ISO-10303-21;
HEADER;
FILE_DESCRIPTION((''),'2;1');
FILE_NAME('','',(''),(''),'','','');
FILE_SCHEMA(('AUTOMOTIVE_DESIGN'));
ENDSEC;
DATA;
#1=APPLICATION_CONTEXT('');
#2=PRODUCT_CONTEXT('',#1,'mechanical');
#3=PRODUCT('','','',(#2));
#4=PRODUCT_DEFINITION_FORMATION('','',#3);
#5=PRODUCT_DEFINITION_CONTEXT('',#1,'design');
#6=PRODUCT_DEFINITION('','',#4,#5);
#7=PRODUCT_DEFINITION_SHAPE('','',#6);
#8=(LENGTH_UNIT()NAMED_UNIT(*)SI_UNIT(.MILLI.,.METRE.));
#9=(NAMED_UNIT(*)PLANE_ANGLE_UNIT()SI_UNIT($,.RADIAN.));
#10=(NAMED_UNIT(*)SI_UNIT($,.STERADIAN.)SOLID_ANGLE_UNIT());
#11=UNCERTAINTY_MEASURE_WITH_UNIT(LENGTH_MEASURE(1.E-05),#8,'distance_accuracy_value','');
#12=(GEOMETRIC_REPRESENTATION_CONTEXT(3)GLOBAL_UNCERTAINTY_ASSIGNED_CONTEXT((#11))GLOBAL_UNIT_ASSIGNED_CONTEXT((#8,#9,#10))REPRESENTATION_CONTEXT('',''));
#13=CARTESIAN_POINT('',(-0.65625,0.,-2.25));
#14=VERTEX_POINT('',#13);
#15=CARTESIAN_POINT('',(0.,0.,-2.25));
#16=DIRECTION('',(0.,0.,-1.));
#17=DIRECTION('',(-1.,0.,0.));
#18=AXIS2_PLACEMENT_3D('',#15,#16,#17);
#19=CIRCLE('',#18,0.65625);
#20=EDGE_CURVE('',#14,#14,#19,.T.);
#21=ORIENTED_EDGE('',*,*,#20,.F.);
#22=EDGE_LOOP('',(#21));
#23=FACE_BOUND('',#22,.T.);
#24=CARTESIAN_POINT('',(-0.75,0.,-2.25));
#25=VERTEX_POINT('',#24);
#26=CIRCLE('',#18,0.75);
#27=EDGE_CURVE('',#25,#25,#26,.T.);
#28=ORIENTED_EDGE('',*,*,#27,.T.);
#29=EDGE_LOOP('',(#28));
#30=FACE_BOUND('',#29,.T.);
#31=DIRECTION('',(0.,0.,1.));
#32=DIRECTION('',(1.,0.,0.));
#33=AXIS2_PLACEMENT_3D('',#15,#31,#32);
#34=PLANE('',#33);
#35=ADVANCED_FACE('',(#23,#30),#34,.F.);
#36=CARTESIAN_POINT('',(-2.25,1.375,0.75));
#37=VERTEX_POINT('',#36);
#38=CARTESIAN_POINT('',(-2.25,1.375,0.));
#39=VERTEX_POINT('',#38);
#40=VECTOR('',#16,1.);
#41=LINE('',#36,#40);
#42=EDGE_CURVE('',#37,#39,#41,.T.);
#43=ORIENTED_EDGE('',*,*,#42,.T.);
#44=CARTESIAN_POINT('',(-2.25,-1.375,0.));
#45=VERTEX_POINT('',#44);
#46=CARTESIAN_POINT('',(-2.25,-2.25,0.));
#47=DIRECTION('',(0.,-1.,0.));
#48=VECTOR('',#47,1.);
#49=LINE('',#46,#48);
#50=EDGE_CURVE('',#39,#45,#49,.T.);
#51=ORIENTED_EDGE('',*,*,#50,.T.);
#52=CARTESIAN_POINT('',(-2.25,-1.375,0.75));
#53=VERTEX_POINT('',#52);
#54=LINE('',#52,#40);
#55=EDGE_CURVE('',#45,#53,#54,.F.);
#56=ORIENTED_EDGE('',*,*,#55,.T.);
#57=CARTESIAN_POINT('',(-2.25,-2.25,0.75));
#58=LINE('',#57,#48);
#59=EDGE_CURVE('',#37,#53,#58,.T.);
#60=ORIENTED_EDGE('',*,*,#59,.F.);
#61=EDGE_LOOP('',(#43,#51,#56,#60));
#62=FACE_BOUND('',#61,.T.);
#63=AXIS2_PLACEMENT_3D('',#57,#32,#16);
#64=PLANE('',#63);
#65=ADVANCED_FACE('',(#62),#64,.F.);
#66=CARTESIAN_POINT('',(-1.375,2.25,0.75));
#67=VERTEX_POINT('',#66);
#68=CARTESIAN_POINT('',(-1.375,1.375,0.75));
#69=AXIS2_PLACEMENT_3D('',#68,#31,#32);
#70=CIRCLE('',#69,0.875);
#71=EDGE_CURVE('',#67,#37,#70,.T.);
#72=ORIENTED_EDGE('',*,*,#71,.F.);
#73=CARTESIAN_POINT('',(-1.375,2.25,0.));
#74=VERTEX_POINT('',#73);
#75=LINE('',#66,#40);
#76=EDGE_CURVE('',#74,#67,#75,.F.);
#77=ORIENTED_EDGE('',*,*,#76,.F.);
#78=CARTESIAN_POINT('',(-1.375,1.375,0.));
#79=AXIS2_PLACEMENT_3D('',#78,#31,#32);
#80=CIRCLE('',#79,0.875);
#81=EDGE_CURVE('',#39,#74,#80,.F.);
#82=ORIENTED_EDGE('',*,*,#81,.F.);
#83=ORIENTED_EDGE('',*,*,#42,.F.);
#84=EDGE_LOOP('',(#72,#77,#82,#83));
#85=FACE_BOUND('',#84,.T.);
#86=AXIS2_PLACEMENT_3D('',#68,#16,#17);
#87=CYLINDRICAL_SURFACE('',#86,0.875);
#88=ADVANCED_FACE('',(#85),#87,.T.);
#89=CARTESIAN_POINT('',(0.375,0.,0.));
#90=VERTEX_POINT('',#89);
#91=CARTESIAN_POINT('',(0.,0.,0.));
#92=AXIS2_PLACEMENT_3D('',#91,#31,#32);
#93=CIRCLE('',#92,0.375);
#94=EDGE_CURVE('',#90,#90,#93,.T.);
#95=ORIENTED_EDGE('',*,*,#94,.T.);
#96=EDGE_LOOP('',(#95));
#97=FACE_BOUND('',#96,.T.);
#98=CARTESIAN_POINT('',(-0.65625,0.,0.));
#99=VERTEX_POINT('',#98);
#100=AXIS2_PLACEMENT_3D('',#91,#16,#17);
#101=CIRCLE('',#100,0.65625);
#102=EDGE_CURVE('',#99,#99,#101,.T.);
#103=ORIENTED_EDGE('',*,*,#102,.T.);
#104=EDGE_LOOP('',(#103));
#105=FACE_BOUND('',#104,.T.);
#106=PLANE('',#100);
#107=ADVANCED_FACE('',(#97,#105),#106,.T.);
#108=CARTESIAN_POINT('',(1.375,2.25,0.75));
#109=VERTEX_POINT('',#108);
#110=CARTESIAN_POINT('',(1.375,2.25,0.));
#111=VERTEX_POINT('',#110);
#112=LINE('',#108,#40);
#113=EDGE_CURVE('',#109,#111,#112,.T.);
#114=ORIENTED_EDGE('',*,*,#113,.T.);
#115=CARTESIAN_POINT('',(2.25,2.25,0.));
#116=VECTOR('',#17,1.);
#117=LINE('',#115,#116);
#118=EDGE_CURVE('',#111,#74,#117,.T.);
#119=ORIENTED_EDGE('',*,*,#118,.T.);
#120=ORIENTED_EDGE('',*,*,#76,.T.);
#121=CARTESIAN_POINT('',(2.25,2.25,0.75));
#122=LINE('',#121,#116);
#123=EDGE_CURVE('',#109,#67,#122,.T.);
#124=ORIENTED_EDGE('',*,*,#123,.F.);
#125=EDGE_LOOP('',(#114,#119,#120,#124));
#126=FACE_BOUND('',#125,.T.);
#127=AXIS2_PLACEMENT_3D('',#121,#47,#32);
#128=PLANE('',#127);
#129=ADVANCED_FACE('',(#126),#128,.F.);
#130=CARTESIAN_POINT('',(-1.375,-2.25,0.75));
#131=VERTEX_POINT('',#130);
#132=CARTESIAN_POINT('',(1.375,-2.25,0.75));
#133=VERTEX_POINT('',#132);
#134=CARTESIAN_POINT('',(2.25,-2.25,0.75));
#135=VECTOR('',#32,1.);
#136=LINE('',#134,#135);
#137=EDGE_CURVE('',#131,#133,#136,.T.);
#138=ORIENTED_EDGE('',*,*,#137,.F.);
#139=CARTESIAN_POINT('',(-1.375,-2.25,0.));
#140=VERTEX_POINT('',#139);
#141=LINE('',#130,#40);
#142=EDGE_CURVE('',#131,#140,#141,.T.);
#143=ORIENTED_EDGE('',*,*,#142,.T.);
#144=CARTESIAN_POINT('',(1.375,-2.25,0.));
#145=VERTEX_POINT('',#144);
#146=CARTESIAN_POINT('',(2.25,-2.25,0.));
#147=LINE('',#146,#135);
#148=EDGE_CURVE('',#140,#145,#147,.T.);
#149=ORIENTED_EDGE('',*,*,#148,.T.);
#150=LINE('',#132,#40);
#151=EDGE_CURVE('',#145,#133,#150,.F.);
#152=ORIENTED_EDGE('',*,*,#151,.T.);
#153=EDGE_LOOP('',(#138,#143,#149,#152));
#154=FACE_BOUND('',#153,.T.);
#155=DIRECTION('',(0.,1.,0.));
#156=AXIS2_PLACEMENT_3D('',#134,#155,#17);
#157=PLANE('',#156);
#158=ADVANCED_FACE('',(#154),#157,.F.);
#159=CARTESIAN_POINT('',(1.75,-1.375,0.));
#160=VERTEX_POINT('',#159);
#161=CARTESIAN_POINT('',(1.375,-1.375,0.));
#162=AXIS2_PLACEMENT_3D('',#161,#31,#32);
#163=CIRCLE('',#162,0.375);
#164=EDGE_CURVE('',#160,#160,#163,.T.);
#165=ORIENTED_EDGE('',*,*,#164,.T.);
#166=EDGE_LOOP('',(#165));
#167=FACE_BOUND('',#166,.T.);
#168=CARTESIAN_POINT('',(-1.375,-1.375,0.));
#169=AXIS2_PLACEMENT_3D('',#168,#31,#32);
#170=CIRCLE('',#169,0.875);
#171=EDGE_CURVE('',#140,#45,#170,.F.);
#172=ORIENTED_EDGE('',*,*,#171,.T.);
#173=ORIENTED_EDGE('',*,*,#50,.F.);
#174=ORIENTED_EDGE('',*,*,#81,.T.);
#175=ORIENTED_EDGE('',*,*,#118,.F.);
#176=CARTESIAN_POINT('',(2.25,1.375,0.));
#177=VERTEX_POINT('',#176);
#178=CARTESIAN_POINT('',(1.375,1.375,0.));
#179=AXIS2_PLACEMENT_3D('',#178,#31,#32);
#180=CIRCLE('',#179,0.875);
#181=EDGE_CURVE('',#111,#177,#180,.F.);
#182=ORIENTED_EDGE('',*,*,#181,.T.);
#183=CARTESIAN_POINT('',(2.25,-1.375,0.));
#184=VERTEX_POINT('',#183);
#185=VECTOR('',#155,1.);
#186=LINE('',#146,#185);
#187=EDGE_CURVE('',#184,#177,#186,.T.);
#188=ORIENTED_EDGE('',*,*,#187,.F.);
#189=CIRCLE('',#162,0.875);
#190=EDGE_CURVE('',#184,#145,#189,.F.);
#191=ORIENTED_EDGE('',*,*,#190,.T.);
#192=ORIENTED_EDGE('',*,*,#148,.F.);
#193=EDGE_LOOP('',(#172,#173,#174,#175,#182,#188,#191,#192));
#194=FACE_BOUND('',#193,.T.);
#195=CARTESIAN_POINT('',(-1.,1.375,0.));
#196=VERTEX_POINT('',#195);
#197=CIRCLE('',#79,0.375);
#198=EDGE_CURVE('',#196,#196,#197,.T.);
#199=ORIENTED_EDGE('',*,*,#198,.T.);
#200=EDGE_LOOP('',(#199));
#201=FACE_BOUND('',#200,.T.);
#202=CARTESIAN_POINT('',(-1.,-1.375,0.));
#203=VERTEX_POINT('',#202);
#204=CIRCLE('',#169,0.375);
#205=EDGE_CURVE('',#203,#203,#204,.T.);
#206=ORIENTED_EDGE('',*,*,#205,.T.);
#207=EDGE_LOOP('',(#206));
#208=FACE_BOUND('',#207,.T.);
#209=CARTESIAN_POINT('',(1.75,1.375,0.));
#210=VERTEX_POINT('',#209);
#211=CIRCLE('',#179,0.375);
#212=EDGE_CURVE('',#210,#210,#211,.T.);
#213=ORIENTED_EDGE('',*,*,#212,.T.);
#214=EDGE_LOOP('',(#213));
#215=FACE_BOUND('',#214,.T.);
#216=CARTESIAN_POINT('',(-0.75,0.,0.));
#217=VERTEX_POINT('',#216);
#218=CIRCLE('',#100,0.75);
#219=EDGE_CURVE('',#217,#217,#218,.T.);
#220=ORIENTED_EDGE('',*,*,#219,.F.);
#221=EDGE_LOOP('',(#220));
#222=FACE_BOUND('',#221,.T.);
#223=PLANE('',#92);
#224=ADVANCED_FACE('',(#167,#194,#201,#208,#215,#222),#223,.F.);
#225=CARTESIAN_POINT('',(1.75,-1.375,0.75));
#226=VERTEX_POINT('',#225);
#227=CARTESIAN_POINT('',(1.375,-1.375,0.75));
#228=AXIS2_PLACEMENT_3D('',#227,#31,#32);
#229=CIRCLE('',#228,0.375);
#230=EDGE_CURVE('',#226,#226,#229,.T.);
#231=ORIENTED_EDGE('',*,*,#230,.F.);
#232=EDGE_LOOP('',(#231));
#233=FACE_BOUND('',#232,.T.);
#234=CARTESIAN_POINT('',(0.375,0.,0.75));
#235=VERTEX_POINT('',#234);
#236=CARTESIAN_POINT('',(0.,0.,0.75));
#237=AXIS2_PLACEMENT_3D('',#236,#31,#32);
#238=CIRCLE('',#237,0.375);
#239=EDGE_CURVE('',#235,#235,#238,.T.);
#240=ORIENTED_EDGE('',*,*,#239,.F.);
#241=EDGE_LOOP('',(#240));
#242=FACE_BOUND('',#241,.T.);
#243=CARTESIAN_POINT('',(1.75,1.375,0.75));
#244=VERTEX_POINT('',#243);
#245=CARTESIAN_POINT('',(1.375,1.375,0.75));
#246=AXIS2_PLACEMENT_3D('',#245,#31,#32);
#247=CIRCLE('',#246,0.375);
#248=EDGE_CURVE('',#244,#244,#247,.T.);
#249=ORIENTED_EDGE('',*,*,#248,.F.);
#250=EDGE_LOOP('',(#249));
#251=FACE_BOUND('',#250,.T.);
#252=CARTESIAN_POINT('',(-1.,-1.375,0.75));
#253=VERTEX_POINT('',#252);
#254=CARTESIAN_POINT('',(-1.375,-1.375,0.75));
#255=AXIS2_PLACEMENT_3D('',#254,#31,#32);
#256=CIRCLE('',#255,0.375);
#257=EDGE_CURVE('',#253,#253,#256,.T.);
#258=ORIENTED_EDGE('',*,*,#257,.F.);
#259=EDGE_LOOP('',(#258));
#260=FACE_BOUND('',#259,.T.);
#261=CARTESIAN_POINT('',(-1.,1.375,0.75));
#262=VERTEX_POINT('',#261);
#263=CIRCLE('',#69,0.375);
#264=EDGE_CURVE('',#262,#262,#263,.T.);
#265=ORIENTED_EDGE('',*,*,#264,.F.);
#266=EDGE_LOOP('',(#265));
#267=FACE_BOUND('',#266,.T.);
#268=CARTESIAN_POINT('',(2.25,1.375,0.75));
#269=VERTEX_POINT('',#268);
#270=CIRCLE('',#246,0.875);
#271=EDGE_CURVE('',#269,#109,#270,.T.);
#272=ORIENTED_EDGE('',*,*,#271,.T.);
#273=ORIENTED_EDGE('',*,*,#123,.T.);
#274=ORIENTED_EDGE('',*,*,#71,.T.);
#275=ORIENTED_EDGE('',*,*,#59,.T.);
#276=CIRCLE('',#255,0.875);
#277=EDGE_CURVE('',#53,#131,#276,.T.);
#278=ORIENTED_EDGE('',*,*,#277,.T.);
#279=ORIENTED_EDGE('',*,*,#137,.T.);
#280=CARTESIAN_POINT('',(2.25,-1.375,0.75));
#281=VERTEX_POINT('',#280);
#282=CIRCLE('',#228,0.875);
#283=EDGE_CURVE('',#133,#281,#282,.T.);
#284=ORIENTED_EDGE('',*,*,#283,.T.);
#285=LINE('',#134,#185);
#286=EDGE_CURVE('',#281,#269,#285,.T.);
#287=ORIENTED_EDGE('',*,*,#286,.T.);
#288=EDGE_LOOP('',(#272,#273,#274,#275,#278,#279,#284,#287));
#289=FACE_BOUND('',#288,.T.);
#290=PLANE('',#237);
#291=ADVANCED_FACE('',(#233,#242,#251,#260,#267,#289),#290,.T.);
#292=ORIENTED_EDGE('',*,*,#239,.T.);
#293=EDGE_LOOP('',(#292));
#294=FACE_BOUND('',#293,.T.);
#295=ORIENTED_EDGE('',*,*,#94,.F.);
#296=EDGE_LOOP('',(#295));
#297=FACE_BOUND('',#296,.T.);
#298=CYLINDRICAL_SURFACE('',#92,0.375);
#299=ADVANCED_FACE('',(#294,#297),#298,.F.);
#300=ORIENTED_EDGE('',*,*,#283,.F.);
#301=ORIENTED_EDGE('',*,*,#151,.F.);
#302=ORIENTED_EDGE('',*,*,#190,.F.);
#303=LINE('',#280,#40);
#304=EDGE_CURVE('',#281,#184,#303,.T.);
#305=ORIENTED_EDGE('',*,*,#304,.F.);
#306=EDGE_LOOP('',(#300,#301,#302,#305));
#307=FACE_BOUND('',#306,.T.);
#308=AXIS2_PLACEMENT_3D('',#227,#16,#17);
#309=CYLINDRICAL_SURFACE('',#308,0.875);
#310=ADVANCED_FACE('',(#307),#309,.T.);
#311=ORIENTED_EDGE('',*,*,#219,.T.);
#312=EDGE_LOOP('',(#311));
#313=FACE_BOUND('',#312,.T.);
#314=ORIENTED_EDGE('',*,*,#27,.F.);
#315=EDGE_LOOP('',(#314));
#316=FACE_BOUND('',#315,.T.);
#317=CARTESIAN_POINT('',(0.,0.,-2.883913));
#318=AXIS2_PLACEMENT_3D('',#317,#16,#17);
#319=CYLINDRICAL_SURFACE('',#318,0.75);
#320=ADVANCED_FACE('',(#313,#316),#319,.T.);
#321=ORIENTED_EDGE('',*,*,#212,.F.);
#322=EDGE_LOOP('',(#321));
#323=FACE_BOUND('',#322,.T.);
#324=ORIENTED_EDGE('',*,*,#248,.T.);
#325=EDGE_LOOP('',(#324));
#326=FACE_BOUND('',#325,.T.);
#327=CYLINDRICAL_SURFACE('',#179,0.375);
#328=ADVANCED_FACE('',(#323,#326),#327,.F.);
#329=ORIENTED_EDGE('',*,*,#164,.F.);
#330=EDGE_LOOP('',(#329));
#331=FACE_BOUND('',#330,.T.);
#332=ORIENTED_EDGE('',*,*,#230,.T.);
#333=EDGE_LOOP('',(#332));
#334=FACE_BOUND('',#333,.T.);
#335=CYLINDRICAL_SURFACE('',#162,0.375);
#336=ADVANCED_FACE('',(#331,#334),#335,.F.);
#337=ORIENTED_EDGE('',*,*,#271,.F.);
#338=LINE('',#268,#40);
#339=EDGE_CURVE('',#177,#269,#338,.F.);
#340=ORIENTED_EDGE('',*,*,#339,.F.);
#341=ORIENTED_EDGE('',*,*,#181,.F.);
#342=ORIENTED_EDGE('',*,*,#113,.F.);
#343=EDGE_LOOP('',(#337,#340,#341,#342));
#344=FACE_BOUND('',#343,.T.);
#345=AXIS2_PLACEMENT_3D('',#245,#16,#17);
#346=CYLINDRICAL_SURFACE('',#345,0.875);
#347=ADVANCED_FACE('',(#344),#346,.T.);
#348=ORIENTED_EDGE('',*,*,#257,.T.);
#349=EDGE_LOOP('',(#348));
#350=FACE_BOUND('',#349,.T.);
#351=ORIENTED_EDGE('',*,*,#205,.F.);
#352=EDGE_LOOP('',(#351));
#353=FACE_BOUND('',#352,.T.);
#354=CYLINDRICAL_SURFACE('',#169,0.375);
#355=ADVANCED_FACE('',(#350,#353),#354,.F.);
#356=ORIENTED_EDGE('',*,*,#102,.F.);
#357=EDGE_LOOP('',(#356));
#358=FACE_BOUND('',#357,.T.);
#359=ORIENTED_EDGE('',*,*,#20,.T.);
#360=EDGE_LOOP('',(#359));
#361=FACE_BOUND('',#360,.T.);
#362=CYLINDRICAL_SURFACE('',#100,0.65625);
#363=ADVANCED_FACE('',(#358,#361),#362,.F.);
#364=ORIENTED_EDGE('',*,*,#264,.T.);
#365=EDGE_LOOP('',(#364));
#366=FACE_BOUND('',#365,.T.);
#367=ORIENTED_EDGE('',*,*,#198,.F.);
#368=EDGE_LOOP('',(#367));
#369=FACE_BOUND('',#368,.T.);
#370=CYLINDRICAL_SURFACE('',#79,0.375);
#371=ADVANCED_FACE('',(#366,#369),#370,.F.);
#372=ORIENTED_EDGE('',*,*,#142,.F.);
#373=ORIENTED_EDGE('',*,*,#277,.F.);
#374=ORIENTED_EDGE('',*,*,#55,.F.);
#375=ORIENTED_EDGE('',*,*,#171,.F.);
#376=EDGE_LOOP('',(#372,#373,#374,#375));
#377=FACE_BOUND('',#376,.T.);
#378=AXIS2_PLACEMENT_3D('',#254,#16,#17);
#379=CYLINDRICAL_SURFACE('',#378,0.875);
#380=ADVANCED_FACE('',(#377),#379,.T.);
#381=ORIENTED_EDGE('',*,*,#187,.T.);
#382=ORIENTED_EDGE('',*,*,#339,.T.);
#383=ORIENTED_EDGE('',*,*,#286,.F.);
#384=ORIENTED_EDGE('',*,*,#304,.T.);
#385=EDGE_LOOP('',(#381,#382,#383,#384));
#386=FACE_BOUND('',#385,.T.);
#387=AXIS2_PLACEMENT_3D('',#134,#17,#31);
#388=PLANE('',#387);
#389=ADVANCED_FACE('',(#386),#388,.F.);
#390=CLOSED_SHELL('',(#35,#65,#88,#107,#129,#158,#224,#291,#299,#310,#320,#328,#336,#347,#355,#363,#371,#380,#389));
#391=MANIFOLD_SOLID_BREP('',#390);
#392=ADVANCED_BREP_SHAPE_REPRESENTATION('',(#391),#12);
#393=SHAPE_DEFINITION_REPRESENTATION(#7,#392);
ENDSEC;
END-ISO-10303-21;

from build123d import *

# Parameters (mm, degrees)
SKETCH1_W           = 0.75
SKETCH1_H           = 2.25
SKETCH2_W           = 4.5
SKETCH2_H           = 4.5
BOSS_EXTRUDE1_DEPTH = 0.75
FILLET2_R           = 0.875
SKETCH6_R           = 0.375
CUT_EXTRUDE1_DEPTH  = 0.75
SKETCH9_R           = 0.65625
CUT_EXTRUDE2_DEPTH  = 2.25


with BuildPart() as part:
    # Sketch1 → Revolve1 (revolve)
    with BuildSketch(Plane(origin=(0, 0, 0), x_dir=(1, 0, 0), z_dir=(0, 1, 0))):
        with Locations((0.375, 1.125)):
            Rectangle(SKETCH1_W, SKETCH1_H)
    revolve(axis=Axis((0, 0, -2.883913043), (0, 0, 1)))

    # Sketch2 → Boss-Extrude1 (add)
    with BuildSketch(Plane.XY):
        Rectangle(SKETCH2_W, SKETCH2_H)
    extrude(amount=BOSS_EXTRUDE1_DEPTH)

    # Fillet2
    fillet2_edges = [part.edges().sort_by_distance(p)[0] for p in [
        (2.25, -2.25, 0.375),
        (2.25, 2.25, 0.375),
        (-2.25, 2.25, 0.375),
        (-2.25, -2.25, 0.375),
    ]]
    fillet(fillet2_edges, radius=FILLET2_R)

    # Sketch6 → Cut-Extrude1 (cut)
    with BuildSketch(Plane.XY.offset(0.75)):
        with Locations((-1.375, 1.375)):
            Circle(SKETCH6_R)
        with Locations((1.375, 1.375)):
            Circle(SKETCH6_R)
        Circle(SKETCH6_R)
        with Locations((-1.375, -1.375)):
            Circle(SKETCH6_R)
        with Locations((1.375, -1.375)):
            Circle(SKETCH6_R)
    extrude(amount=-CUT_EXTRUDE1_DEPTH, mode=Mode.SUBTRACT)

    # Sketch9 → Cut-Extrude2 (cut)
    with BuildSketch(Plane(origin=(0, 0, -2.25), x_dir=(-1, 0, 0), z_dir=(0, 0, -1))):
        Circle(SKETCH9_R)
    extrude(amount=-CUT_EXTRUDE2_DEPTH, mode=Mode.SUBTRACT)


solid = part.part
